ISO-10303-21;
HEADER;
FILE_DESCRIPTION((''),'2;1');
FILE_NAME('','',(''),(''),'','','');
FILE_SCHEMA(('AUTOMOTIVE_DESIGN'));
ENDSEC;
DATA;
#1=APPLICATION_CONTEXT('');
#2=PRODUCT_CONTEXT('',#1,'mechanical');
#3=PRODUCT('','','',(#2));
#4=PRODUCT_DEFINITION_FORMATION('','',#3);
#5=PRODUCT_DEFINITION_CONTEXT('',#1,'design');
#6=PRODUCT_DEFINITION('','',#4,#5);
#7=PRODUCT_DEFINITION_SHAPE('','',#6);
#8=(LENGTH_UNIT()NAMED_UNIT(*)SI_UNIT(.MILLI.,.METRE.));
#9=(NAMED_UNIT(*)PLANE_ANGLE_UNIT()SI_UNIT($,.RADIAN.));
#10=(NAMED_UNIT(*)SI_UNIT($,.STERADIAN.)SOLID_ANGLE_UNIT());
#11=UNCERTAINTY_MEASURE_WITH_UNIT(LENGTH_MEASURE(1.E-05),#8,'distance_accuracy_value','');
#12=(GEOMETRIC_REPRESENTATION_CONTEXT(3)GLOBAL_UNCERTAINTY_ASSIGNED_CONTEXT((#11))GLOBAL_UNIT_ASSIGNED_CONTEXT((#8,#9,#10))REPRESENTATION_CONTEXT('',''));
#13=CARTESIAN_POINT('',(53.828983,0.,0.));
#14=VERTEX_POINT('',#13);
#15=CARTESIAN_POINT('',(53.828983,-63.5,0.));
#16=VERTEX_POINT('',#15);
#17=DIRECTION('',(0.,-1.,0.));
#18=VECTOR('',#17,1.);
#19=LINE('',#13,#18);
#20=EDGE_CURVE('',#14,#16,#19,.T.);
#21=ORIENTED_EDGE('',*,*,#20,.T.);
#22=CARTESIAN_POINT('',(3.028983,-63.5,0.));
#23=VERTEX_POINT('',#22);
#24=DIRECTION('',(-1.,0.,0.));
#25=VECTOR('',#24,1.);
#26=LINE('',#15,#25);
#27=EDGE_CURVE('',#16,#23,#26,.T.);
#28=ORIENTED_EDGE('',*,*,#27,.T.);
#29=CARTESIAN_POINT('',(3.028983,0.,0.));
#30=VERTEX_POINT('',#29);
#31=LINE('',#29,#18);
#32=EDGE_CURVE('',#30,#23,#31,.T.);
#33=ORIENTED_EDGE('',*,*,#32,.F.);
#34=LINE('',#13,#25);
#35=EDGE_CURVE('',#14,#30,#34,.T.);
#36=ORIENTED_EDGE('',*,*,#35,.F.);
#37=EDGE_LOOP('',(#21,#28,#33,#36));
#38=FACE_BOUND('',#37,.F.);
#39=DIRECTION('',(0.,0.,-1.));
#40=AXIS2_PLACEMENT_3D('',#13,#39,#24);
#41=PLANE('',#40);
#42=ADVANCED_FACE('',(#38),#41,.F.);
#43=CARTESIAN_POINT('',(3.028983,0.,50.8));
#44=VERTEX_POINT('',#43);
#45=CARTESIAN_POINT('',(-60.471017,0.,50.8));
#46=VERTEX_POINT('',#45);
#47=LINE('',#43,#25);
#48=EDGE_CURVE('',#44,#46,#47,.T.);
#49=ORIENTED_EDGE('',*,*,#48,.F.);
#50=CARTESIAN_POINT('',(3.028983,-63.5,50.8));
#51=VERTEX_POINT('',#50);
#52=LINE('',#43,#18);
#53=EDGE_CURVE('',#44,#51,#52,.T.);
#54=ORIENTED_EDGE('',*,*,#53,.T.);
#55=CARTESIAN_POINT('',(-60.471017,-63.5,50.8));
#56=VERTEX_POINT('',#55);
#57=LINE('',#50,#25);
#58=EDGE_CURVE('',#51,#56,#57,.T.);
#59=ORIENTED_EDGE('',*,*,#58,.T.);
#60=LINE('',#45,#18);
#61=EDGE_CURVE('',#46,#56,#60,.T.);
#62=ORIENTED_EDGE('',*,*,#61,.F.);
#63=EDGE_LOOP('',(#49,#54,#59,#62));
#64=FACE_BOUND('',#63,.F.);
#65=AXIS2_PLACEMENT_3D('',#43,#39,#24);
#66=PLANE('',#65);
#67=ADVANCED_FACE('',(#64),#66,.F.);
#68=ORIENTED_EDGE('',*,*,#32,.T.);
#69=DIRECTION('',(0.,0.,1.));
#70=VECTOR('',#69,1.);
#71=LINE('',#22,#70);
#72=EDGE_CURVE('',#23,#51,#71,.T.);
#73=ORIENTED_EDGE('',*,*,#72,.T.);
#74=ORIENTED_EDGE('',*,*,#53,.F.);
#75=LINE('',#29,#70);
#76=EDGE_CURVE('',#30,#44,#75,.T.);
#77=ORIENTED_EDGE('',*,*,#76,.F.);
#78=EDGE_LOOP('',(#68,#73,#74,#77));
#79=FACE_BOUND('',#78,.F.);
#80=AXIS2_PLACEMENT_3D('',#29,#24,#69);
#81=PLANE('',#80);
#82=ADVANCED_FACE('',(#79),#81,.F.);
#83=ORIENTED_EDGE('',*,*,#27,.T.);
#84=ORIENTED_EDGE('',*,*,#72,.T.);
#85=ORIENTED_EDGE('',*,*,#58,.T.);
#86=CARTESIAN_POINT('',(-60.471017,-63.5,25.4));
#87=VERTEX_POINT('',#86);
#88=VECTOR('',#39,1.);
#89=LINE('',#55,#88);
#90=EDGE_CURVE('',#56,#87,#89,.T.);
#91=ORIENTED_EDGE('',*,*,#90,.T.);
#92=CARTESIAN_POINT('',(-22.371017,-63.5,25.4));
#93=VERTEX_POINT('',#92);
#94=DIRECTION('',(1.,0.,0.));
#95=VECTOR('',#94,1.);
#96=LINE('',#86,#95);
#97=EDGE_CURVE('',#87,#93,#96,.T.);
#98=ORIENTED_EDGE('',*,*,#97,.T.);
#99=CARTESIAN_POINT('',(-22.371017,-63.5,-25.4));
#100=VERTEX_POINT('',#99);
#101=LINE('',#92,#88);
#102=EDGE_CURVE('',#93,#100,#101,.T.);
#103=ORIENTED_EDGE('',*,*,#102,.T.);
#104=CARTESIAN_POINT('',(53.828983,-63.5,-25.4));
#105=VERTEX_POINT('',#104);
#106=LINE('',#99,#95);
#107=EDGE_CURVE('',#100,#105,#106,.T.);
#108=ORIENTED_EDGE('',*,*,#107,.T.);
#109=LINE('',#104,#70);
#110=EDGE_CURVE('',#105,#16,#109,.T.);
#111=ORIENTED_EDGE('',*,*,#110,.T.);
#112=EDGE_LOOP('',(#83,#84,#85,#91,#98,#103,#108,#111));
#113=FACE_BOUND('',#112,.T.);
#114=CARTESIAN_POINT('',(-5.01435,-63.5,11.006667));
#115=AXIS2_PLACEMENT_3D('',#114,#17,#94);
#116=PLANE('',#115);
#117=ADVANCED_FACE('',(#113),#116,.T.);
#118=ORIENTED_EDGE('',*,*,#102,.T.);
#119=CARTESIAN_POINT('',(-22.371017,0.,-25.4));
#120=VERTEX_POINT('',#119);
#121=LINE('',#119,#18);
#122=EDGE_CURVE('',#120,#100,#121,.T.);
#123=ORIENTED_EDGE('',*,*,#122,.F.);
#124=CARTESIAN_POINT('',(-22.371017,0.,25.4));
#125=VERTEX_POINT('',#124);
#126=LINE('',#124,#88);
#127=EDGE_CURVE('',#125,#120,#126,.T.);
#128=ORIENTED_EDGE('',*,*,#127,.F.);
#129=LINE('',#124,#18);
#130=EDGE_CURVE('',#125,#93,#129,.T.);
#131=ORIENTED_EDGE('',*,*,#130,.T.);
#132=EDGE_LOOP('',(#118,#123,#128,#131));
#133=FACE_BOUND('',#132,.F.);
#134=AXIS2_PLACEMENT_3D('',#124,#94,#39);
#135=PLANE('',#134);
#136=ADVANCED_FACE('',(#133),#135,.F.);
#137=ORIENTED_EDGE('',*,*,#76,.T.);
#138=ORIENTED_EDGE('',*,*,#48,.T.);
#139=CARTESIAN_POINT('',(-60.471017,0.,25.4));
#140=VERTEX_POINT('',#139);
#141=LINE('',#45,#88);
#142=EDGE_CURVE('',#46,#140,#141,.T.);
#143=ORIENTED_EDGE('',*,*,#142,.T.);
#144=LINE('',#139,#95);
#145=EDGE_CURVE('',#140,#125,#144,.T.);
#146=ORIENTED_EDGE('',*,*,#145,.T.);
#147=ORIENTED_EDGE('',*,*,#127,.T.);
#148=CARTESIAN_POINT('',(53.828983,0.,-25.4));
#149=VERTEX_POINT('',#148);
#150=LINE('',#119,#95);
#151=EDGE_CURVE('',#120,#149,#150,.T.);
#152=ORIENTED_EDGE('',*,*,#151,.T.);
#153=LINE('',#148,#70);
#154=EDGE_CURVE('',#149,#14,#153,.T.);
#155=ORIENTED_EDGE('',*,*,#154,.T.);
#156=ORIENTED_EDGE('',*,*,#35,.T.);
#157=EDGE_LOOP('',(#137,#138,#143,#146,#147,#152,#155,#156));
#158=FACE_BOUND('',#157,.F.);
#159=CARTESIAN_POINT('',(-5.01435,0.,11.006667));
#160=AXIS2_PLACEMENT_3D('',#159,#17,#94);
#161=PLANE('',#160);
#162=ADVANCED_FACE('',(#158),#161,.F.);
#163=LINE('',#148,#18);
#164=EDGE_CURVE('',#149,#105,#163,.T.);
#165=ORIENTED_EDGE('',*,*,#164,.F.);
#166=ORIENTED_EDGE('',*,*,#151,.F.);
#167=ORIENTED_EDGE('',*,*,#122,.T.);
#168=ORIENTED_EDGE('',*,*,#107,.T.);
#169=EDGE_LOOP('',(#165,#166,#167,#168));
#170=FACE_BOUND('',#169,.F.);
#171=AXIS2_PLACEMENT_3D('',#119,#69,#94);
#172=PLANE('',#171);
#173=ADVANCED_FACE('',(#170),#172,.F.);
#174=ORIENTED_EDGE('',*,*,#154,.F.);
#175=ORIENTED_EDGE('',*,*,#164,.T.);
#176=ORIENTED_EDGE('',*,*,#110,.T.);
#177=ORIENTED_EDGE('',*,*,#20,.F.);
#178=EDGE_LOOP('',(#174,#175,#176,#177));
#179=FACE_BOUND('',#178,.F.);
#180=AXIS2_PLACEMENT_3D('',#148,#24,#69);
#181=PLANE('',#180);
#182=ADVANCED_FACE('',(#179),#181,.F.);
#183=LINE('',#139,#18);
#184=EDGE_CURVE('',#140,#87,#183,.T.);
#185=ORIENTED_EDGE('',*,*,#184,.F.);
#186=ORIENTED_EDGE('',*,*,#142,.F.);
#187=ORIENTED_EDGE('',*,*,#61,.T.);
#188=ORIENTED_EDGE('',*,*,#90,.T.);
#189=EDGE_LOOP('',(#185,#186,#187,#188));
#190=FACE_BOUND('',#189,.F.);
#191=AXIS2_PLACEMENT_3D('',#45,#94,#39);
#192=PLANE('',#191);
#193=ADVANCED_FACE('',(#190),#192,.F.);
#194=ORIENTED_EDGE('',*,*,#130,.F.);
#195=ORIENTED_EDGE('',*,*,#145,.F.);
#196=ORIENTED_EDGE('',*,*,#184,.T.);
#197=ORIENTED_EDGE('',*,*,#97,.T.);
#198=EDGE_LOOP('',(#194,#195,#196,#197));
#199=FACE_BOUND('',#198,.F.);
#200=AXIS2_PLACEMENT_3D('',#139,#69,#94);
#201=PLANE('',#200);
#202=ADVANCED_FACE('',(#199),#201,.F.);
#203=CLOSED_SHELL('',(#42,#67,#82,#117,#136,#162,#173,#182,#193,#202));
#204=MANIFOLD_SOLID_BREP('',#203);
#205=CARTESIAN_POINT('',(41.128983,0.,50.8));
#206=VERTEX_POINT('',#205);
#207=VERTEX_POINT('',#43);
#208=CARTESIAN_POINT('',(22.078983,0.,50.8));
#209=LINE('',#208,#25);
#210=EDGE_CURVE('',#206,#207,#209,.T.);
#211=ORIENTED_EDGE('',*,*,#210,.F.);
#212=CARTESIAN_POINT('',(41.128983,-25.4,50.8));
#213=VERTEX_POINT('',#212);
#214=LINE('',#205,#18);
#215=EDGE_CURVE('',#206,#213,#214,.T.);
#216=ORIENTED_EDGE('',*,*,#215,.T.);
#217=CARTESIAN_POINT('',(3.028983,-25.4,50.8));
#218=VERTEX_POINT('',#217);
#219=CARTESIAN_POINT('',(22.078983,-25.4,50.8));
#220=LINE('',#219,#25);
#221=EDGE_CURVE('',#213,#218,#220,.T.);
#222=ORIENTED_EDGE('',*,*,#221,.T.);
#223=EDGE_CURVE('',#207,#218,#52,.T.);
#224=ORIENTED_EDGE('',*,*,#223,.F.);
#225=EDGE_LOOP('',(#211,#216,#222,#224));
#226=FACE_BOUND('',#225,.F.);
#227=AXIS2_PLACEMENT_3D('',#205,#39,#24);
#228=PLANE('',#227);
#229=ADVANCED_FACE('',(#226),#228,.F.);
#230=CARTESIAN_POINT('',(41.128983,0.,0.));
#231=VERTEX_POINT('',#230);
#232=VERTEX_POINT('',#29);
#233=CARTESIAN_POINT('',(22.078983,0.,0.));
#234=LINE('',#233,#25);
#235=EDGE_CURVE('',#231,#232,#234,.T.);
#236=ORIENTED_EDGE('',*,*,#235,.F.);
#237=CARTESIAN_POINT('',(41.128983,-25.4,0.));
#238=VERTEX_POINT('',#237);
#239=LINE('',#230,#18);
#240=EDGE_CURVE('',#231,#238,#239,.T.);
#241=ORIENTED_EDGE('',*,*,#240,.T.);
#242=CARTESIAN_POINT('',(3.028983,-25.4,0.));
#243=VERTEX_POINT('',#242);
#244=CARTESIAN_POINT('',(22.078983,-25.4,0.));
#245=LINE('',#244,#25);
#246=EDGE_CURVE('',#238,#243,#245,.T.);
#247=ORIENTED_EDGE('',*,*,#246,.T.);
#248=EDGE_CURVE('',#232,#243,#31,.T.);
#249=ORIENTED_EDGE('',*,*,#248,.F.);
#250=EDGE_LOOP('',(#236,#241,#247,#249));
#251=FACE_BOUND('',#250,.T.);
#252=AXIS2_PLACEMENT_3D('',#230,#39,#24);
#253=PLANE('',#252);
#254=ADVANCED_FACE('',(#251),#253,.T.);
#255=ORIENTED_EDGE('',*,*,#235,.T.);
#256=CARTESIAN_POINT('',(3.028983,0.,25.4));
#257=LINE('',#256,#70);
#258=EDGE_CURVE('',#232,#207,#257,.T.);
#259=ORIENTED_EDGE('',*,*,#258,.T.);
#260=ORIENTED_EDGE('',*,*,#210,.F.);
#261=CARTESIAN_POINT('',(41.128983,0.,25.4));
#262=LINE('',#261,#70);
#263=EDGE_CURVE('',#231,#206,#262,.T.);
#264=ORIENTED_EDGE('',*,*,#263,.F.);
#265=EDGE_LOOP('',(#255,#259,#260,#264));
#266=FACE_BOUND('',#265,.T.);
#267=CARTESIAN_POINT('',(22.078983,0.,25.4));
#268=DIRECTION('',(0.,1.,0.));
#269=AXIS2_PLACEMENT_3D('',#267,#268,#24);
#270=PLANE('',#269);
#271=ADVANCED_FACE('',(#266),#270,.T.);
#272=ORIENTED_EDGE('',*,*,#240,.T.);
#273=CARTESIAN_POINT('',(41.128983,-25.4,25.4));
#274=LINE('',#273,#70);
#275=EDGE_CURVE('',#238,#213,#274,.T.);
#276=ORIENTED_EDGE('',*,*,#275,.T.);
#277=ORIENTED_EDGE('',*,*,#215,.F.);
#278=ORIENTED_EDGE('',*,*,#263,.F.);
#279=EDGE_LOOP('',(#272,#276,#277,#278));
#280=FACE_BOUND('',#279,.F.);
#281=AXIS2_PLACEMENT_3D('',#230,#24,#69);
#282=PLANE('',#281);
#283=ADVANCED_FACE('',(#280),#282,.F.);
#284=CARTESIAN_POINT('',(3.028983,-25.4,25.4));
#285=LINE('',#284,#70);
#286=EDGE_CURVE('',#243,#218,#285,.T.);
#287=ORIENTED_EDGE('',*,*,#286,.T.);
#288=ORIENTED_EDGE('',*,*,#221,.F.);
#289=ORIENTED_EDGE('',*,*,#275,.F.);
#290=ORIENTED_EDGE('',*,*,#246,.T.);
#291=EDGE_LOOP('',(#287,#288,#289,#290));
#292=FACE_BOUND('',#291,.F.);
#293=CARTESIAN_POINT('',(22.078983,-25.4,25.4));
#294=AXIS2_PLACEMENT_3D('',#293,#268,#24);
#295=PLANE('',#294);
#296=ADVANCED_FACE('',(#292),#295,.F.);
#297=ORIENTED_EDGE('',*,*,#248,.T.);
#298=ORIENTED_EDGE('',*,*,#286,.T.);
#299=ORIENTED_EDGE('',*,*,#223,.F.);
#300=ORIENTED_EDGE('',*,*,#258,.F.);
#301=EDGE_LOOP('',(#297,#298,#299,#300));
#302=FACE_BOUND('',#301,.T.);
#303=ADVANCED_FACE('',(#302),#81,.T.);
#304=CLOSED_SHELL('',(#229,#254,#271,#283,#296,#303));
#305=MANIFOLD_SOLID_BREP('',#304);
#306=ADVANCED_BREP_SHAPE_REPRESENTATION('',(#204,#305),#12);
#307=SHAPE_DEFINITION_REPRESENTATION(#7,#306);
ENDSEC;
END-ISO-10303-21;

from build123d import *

# Parameters (mm, degrees)
F1_DEPTH = 63.5
F2_W     = 38.1
F2_H     = 50.8
F3_DEPTH = 25.4


with BuildPart() as f1:
    # F0 (on Front) → F1 (new body)
    with BuildSketch(Plane.XZ):
        Polygon((3.028983, 50.8), (-60.471017, 50.8), (-60.471017, 25.4), (-22.371017, 25.4), (-22.371017, -25.4), (53.828983, -25.4), (53.828983, 0), (3.028983, 0), align=None)
    extrude(amount=F1_DEPTH)


with BuildPart() as f3:
    # F2 (on face) → F3 (new body)
    with BuildSketch(Plane(origin=(0, 0, 0), x_dir=(-1, 0, 0), z_dir=(0, 1, 0))):
        with Locations((-22.078983, 25.4)):
            Rectangle(F2_W, F2_H)
    extrude(amount=-F3_DEPTH)


solid = Compound([f1.part, f3.part])
